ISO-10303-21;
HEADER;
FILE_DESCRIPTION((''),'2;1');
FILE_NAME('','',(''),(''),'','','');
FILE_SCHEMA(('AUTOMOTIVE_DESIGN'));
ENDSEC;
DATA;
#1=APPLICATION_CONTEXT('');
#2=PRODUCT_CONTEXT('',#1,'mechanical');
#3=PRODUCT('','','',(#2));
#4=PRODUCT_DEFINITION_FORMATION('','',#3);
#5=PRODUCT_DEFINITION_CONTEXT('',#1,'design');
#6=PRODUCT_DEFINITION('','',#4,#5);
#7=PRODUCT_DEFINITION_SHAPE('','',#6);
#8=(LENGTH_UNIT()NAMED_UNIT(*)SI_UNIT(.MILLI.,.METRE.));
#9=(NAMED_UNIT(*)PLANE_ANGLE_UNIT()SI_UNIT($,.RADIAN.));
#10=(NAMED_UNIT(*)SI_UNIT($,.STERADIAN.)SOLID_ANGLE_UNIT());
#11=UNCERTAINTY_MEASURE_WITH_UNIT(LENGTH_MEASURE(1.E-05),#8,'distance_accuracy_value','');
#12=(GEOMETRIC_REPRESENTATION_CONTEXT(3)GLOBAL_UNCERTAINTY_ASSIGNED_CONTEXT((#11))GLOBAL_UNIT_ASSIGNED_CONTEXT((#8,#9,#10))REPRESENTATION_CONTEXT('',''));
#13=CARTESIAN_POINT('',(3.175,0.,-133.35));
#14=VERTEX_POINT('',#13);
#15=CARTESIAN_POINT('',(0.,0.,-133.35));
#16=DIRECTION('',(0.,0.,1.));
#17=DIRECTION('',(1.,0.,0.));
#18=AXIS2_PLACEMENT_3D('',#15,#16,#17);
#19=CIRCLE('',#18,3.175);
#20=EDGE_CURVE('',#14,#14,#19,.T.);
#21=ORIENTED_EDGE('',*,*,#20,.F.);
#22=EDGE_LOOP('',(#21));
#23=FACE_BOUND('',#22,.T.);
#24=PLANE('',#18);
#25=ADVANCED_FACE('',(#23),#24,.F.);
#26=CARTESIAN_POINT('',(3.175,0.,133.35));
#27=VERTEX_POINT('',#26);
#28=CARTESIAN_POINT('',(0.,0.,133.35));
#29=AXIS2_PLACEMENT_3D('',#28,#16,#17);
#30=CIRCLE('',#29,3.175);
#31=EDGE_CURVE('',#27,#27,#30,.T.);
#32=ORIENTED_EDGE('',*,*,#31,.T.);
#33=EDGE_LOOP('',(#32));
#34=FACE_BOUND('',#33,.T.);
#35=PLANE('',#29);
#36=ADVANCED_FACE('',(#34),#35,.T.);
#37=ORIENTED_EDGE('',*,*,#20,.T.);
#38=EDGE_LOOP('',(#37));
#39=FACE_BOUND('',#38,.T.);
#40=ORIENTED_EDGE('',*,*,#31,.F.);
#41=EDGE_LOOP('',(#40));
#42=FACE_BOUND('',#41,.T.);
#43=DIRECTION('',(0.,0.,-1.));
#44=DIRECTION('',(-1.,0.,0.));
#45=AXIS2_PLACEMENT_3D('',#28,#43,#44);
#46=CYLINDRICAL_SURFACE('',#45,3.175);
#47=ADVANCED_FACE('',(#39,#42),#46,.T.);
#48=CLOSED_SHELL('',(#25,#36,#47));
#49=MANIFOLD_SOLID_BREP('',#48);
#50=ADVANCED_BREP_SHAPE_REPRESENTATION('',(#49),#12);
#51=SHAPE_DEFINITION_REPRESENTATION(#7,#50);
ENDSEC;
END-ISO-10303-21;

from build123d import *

# Parameters (mm, degrees)
SKETCH1_R      = 3.175
EXTRUDE1_DEPTH = 133.35


with BuildPart() as part:
    # Sketch1 → Extrude1 (new body, symmetric)
    with BuildSketch(Plane.XY):
        Circle(SKETCH1_R)
    extrude(amount=EXTRUDE1_DEPTH, both=True)


solid = part.part
